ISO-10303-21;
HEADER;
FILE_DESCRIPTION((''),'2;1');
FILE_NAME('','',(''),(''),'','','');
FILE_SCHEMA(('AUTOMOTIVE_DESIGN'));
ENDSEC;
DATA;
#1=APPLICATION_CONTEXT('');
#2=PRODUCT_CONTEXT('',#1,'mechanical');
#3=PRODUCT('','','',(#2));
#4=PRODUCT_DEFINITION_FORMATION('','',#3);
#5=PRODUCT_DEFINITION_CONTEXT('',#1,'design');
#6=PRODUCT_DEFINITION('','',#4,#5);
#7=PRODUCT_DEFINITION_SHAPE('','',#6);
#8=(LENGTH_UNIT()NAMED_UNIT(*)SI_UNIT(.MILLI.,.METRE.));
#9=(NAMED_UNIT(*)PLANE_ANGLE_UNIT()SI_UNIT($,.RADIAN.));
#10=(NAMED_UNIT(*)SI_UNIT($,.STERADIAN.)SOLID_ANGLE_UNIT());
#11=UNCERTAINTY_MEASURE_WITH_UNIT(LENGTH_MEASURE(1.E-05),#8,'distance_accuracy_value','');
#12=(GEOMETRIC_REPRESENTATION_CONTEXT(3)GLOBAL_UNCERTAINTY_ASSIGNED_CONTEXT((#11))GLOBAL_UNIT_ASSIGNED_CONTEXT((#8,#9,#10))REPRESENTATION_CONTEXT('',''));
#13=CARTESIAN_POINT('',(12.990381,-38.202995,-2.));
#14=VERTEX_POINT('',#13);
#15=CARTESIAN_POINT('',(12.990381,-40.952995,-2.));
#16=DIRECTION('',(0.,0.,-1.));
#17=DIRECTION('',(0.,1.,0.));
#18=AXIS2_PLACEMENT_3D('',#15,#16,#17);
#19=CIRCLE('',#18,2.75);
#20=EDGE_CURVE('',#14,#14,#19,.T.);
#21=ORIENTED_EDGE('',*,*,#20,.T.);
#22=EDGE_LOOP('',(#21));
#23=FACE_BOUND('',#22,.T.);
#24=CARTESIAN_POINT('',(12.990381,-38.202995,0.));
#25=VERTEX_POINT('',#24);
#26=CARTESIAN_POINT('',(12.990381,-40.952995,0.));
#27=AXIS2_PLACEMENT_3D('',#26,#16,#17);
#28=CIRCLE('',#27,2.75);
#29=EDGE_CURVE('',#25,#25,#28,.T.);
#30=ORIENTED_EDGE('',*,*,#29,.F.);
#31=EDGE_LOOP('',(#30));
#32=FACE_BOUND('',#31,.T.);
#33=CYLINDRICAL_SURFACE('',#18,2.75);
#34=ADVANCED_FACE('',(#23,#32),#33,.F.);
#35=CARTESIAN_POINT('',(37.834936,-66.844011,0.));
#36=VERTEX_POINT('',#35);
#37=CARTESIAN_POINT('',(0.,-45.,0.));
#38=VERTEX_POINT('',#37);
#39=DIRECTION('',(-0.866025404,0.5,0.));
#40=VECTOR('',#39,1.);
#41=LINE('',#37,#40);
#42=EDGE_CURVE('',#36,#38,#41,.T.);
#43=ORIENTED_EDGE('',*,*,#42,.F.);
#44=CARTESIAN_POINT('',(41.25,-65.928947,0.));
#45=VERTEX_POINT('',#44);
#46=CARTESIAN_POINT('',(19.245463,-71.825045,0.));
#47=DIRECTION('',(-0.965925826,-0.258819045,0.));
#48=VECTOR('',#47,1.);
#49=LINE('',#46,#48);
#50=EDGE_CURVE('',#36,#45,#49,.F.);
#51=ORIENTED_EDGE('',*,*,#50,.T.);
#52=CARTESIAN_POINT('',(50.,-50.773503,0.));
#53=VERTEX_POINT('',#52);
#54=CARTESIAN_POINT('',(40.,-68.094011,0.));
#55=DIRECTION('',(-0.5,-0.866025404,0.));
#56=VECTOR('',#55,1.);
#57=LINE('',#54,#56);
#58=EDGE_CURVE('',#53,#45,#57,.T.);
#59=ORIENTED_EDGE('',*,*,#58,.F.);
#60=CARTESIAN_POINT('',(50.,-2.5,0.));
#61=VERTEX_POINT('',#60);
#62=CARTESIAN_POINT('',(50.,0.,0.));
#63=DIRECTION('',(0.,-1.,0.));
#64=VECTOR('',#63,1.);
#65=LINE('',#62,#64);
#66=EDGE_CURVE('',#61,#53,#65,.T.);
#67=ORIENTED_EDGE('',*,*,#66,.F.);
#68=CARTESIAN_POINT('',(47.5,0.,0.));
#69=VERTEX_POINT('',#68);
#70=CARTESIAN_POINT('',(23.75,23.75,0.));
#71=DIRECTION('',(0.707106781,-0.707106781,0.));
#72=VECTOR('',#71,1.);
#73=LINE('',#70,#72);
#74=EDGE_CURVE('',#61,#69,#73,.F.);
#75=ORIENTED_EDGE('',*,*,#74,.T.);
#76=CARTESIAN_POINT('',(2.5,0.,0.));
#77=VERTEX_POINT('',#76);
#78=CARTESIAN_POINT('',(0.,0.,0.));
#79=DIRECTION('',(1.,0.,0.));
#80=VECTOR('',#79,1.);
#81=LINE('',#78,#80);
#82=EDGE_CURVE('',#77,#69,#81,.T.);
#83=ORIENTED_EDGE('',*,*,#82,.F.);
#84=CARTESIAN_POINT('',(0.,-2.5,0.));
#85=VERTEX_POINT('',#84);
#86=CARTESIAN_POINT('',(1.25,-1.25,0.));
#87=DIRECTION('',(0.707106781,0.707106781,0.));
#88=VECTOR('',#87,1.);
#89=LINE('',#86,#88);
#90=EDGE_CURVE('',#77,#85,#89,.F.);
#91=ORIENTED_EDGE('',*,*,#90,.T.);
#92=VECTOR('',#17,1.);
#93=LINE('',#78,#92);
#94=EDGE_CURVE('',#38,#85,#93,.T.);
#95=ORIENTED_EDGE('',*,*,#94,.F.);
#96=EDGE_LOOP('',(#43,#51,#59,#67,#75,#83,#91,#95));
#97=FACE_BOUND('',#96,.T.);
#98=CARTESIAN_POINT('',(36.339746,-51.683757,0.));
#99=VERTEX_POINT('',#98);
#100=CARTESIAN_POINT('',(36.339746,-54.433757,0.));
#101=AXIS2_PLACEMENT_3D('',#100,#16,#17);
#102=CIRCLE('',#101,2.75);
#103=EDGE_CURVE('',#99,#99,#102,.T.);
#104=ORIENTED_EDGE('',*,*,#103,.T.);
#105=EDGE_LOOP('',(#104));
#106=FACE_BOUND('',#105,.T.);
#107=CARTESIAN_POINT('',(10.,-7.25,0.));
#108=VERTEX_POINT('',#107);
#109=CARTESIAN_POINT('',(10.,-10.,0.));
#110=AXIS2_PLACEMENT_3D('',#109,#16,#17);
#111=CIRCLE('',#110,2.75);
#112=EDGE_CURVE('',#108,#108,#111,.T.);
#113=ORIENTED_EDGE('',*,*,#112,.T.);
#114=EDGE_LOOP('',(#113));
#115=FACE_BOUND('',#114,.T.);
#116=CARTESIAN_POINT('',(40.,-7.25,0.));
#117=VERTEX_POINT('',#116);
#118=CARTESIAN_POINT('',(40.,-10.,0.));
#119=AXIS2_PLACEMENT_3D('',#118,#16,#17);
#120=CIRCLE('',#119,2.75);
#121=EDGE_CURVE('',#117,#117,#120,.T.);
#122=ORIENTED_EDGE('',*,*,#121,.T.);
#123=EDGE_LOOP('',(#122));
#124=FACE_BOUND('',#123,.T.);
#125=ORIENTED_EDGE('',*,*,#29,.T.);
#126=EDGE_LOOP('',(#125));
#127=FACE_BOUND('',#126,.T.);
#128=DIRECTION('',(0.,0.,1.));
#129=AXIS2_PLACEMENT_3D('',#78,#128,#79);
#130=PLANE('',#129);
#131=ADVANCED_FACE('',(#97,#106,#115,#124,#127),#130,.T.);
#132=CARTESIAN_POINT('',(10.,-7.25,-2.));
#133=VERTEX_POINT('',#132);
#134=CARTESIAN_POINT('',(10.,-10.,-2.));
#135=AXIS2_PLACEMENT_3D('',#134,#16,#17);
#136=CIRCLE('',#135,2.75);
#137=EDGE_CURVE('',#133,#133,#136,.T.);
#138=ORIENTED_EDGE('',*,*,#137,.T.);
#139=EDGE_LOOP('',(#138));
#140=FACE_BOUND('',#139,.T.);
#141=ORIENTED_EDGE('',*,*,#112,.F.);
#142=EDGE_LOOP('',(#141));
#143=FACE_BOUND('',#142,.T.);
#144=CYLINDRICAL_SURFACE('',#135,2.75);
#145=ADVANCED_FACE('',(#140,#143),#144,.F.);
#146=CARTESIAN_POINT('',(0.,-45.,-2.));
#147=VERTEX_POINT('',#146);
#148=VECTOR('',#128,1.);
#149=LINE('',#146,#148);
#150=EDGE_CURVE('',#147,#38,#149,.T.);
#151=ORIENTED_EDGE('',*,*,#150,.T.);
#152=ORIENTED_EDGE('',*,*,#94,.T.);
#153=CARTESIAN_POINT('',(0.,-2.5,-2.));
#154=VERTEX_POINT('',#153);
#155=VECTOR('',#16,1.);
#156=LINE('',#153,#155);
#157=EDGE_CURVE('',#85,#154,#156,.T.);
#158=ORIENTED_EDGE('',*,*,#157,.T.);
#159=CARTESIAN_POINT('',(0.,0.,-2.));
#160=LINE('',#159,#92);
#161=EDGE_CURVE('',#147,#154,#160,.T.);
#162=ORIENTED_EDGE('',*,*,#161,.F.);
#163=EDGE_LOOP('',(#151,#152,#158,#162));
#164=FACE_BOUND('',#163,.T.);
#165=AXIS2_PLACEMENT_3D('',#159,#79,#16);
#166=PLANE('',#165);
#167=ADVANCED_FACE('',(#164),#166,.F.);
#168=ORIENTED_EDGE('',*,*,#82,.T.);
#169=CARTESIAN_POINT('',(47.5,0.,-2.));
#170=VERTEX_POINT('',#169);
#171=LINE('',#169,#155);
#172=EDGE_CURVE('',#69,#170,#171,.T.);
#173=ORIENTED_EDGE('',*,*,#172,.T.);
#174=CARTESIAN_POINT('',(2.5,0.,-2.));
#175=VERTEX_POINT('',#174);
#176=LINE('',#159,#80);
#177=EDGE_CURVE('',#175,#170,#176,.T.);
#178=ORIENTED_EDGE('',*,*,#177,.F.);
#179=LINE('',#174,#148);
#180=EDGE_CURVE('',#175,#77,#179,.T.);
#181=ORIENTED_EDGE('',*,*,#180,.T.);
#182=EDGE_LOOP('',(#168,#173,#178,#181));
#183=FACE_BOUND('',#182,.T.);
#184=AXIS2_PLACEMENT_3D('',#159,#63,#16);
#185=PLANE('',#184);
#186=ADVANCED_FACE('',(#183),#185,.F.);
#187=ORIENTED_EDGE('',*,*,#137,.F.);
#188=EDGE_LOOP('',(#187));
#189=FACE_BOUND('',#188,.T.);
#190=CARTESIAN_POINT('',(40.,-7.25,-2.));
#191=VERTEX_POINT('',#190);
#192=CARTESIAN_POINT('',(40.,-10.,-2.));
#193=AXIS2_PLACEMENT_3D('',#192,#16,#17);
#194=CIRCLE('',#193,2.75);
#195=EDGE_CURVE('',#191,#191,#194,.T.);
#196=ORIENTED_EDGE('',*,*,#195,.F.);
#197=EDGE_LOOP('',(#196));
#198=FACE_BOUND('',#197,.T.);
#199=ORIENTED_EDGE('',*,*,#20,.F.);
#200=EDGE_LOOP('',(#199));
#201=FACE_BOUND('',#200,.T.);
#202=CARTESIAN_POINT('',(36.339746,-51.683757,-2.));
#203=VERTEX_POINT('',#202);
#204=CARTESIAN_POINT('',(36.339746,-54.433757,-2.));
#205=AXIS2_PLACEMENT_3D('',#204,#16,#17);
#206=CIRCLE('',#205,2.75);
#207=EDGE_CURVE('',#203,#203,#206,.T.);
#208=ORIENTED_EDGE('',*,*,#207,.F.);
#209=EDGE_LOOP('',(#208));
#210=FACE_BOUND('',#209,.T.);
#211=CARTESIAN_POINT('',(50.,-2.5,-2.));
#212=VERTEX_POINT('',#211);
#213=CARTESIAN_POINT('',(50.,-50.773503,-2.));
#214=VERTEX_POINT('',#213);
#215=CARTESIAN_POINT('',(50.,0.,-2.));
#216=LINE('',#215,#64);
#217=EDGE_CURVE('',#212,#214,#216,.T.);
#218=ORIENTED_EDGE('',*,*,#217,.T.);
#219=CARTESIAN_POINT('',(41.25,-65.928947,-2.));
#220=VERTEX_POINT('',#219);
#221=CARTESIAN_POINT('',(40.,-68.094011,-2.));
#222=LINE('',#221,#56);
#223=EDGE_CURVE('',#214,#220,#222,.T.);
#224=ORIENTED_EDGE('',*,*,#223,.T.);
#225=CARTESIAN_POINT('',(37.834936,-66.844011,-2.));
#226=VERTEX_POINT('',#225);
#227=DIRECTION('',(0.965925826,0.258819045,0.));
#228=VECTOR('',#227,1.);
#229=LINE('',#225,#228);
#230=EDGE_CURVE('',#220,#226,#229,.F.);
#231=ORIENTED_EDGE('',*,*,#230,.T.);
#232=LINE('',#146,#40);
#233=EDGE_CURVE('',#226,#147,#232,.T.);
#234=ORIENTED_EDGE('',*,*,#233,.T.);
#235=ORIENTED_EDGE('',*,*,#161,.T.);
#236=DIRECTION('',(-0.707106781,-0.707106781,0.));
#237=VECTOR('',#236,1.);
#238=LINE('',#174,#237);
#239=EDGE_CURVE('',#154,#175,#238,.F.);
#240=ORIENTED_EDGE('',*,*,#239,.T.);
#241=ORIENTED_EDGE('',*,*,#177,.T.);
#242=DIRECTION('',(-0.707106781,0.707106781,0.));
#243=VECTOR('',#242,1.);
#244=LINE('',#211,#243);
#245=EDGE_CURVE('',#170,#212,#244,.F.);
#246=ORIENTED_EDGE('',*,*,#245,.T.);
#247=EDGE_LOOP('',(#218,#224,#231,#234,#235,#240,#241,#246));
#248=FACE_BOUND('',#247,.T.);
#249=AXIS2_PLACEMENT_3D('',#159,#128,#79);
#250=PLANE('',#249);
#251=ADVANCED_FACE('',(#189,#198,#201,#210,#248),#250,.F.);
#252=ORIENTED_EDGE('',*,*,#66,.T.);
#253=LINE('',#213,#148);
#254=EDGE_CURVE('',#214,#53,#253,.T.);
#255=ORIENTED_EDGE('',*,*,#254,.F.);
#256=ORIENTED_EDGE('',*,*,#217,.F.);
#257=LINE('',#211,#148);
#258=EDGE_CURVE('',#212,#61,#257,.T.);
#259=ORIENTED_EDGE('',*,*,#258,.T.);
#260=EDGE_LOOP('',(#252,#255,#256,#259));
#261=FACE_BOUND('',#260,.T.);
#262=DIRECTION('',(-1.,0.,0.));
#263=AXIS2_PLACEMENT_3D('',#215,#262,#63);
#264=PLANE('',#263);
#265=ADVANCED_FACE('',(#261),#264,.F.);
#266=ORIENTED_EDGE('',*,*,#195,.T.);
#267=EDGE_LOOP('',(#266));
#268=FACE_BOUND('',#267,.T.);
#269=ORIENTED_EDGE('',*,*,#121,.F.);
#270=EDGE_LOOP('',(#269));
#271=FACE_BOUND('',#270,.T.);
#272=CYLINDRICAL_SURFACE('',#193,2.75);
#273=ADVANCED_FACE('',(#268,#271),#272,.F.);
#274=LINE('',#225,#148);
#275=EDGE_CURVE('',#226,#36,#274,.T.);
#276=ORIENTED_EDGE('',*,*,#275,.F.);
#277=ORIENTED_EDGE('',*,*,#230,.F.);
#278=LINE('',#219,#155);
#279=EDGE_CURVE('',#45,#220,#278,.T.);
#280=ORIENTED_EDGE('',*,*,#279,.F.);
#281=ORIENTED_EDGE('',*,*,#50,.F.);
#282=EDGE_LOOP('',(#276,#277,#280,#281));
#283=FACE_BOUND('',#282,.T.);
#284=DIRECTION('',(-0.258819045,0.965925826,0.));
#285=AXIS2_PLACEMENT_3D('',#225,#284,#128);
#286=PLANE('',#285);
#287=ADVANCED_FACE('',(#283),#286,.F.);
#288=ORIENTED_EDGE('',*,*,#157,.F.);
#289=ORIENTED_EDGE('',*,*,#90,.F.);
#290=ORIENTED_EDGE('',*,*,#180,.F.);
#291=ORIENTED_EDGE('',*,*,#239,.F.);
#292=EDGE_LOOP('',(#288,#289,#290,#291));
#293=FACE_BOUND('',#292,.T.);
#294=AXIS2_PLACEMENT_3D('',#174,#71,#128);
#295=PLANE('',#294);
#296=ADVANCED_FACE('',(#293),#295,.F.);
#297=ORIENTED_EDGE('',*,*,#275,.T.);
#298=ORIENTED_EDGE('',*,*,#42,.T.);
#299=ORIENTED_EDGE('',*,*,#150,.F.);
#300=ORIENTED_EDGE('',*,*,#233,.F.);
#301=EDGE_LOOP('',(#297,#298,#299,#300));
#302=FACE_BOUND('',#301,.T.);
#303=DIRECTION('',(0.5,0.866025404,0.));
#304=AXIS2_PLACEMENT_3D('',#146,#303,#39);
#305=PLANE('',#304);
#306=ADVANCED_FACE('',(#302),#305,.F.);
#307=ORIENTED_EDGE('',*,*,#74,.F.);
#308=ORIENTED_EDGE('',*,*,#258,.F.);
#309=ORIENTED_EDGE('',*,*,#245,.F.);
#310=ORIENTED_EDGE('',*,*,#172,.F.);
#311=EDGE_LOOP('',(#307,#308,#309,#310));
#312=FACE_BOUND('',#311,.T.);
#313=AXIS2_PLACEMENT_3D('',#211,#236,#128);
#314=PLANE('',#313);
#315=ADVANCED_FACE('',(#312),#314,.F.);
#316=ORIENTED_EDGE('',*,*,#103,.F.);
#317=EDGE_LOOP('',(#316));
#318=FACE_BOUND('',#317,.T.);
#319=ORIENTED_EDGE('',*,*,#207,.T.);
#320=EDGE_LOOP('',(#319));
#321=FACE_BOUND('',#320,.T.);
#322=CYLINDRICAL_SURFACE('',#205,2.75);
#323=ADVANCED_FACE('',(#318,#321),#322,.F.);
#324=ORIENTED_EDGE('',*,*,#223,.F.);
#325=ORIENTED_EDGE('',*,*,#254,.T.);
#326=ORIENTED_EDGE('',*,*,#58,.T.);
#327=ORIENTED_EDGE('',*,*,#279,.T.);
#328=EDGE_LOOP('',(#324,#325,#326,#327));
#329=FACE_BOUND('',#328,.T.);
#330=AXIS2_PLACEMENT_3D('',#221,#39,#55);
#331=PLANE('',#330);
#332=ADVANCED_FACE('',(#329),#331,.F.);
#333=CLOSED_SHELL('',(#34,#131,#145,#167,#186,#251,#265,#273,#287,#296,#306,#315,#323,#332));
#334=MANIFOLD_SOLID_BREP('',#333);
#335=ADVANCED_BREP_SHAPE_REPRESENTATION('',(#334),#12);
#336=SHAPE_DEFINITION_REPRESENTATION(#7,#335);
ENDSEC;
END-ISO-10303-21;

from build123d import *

# Parameters (mm, degrees)
EXTRUDE_1_DEPTH   = 2
HOLE_WIZARD_M51_D = 5.5
CHAMFER_1_SIZE    = 2.5


with BuildPart() as part:
    # Эскиз3 → Бобышка-Вытянуть1 (new body)
    with BuildSketch(Plane(origin=(0, 0, 0), x_dir=(1, 0, 0), z_dir=(0, 0, -1))):
        Polygon((0, 0), (50, 0), (50, 50.773502692), (40, 68.094010768), (0, 45), align=None)
    extrude(amount=EXTRUDE_1_DEPTH)

    # Отверстие с зазором M51 (through all)
    with Locations(Plane(origin=(0, 0, -2), x_dir=(1, 0, 0), z_dir=(0, 0, -1))):
        with Locations((10, 10), (40, 10), (12.990381057, 40.952994616), (36.339745962, 54.43375673)):
            Hole(HOLE_WIZARD_M51_D / 2)

    # Фаска1
    chamfer_1_edges = [part.edges().sort_by_distance(p)[0] for p in [
        (40, -68.094010768, -1),
        (50, 0, -1),
        (0, 0, -1),
    ]]
    chamfer(chamfer_1_edges, length=CHAMFER_1_SIZE)


solid = part.part
